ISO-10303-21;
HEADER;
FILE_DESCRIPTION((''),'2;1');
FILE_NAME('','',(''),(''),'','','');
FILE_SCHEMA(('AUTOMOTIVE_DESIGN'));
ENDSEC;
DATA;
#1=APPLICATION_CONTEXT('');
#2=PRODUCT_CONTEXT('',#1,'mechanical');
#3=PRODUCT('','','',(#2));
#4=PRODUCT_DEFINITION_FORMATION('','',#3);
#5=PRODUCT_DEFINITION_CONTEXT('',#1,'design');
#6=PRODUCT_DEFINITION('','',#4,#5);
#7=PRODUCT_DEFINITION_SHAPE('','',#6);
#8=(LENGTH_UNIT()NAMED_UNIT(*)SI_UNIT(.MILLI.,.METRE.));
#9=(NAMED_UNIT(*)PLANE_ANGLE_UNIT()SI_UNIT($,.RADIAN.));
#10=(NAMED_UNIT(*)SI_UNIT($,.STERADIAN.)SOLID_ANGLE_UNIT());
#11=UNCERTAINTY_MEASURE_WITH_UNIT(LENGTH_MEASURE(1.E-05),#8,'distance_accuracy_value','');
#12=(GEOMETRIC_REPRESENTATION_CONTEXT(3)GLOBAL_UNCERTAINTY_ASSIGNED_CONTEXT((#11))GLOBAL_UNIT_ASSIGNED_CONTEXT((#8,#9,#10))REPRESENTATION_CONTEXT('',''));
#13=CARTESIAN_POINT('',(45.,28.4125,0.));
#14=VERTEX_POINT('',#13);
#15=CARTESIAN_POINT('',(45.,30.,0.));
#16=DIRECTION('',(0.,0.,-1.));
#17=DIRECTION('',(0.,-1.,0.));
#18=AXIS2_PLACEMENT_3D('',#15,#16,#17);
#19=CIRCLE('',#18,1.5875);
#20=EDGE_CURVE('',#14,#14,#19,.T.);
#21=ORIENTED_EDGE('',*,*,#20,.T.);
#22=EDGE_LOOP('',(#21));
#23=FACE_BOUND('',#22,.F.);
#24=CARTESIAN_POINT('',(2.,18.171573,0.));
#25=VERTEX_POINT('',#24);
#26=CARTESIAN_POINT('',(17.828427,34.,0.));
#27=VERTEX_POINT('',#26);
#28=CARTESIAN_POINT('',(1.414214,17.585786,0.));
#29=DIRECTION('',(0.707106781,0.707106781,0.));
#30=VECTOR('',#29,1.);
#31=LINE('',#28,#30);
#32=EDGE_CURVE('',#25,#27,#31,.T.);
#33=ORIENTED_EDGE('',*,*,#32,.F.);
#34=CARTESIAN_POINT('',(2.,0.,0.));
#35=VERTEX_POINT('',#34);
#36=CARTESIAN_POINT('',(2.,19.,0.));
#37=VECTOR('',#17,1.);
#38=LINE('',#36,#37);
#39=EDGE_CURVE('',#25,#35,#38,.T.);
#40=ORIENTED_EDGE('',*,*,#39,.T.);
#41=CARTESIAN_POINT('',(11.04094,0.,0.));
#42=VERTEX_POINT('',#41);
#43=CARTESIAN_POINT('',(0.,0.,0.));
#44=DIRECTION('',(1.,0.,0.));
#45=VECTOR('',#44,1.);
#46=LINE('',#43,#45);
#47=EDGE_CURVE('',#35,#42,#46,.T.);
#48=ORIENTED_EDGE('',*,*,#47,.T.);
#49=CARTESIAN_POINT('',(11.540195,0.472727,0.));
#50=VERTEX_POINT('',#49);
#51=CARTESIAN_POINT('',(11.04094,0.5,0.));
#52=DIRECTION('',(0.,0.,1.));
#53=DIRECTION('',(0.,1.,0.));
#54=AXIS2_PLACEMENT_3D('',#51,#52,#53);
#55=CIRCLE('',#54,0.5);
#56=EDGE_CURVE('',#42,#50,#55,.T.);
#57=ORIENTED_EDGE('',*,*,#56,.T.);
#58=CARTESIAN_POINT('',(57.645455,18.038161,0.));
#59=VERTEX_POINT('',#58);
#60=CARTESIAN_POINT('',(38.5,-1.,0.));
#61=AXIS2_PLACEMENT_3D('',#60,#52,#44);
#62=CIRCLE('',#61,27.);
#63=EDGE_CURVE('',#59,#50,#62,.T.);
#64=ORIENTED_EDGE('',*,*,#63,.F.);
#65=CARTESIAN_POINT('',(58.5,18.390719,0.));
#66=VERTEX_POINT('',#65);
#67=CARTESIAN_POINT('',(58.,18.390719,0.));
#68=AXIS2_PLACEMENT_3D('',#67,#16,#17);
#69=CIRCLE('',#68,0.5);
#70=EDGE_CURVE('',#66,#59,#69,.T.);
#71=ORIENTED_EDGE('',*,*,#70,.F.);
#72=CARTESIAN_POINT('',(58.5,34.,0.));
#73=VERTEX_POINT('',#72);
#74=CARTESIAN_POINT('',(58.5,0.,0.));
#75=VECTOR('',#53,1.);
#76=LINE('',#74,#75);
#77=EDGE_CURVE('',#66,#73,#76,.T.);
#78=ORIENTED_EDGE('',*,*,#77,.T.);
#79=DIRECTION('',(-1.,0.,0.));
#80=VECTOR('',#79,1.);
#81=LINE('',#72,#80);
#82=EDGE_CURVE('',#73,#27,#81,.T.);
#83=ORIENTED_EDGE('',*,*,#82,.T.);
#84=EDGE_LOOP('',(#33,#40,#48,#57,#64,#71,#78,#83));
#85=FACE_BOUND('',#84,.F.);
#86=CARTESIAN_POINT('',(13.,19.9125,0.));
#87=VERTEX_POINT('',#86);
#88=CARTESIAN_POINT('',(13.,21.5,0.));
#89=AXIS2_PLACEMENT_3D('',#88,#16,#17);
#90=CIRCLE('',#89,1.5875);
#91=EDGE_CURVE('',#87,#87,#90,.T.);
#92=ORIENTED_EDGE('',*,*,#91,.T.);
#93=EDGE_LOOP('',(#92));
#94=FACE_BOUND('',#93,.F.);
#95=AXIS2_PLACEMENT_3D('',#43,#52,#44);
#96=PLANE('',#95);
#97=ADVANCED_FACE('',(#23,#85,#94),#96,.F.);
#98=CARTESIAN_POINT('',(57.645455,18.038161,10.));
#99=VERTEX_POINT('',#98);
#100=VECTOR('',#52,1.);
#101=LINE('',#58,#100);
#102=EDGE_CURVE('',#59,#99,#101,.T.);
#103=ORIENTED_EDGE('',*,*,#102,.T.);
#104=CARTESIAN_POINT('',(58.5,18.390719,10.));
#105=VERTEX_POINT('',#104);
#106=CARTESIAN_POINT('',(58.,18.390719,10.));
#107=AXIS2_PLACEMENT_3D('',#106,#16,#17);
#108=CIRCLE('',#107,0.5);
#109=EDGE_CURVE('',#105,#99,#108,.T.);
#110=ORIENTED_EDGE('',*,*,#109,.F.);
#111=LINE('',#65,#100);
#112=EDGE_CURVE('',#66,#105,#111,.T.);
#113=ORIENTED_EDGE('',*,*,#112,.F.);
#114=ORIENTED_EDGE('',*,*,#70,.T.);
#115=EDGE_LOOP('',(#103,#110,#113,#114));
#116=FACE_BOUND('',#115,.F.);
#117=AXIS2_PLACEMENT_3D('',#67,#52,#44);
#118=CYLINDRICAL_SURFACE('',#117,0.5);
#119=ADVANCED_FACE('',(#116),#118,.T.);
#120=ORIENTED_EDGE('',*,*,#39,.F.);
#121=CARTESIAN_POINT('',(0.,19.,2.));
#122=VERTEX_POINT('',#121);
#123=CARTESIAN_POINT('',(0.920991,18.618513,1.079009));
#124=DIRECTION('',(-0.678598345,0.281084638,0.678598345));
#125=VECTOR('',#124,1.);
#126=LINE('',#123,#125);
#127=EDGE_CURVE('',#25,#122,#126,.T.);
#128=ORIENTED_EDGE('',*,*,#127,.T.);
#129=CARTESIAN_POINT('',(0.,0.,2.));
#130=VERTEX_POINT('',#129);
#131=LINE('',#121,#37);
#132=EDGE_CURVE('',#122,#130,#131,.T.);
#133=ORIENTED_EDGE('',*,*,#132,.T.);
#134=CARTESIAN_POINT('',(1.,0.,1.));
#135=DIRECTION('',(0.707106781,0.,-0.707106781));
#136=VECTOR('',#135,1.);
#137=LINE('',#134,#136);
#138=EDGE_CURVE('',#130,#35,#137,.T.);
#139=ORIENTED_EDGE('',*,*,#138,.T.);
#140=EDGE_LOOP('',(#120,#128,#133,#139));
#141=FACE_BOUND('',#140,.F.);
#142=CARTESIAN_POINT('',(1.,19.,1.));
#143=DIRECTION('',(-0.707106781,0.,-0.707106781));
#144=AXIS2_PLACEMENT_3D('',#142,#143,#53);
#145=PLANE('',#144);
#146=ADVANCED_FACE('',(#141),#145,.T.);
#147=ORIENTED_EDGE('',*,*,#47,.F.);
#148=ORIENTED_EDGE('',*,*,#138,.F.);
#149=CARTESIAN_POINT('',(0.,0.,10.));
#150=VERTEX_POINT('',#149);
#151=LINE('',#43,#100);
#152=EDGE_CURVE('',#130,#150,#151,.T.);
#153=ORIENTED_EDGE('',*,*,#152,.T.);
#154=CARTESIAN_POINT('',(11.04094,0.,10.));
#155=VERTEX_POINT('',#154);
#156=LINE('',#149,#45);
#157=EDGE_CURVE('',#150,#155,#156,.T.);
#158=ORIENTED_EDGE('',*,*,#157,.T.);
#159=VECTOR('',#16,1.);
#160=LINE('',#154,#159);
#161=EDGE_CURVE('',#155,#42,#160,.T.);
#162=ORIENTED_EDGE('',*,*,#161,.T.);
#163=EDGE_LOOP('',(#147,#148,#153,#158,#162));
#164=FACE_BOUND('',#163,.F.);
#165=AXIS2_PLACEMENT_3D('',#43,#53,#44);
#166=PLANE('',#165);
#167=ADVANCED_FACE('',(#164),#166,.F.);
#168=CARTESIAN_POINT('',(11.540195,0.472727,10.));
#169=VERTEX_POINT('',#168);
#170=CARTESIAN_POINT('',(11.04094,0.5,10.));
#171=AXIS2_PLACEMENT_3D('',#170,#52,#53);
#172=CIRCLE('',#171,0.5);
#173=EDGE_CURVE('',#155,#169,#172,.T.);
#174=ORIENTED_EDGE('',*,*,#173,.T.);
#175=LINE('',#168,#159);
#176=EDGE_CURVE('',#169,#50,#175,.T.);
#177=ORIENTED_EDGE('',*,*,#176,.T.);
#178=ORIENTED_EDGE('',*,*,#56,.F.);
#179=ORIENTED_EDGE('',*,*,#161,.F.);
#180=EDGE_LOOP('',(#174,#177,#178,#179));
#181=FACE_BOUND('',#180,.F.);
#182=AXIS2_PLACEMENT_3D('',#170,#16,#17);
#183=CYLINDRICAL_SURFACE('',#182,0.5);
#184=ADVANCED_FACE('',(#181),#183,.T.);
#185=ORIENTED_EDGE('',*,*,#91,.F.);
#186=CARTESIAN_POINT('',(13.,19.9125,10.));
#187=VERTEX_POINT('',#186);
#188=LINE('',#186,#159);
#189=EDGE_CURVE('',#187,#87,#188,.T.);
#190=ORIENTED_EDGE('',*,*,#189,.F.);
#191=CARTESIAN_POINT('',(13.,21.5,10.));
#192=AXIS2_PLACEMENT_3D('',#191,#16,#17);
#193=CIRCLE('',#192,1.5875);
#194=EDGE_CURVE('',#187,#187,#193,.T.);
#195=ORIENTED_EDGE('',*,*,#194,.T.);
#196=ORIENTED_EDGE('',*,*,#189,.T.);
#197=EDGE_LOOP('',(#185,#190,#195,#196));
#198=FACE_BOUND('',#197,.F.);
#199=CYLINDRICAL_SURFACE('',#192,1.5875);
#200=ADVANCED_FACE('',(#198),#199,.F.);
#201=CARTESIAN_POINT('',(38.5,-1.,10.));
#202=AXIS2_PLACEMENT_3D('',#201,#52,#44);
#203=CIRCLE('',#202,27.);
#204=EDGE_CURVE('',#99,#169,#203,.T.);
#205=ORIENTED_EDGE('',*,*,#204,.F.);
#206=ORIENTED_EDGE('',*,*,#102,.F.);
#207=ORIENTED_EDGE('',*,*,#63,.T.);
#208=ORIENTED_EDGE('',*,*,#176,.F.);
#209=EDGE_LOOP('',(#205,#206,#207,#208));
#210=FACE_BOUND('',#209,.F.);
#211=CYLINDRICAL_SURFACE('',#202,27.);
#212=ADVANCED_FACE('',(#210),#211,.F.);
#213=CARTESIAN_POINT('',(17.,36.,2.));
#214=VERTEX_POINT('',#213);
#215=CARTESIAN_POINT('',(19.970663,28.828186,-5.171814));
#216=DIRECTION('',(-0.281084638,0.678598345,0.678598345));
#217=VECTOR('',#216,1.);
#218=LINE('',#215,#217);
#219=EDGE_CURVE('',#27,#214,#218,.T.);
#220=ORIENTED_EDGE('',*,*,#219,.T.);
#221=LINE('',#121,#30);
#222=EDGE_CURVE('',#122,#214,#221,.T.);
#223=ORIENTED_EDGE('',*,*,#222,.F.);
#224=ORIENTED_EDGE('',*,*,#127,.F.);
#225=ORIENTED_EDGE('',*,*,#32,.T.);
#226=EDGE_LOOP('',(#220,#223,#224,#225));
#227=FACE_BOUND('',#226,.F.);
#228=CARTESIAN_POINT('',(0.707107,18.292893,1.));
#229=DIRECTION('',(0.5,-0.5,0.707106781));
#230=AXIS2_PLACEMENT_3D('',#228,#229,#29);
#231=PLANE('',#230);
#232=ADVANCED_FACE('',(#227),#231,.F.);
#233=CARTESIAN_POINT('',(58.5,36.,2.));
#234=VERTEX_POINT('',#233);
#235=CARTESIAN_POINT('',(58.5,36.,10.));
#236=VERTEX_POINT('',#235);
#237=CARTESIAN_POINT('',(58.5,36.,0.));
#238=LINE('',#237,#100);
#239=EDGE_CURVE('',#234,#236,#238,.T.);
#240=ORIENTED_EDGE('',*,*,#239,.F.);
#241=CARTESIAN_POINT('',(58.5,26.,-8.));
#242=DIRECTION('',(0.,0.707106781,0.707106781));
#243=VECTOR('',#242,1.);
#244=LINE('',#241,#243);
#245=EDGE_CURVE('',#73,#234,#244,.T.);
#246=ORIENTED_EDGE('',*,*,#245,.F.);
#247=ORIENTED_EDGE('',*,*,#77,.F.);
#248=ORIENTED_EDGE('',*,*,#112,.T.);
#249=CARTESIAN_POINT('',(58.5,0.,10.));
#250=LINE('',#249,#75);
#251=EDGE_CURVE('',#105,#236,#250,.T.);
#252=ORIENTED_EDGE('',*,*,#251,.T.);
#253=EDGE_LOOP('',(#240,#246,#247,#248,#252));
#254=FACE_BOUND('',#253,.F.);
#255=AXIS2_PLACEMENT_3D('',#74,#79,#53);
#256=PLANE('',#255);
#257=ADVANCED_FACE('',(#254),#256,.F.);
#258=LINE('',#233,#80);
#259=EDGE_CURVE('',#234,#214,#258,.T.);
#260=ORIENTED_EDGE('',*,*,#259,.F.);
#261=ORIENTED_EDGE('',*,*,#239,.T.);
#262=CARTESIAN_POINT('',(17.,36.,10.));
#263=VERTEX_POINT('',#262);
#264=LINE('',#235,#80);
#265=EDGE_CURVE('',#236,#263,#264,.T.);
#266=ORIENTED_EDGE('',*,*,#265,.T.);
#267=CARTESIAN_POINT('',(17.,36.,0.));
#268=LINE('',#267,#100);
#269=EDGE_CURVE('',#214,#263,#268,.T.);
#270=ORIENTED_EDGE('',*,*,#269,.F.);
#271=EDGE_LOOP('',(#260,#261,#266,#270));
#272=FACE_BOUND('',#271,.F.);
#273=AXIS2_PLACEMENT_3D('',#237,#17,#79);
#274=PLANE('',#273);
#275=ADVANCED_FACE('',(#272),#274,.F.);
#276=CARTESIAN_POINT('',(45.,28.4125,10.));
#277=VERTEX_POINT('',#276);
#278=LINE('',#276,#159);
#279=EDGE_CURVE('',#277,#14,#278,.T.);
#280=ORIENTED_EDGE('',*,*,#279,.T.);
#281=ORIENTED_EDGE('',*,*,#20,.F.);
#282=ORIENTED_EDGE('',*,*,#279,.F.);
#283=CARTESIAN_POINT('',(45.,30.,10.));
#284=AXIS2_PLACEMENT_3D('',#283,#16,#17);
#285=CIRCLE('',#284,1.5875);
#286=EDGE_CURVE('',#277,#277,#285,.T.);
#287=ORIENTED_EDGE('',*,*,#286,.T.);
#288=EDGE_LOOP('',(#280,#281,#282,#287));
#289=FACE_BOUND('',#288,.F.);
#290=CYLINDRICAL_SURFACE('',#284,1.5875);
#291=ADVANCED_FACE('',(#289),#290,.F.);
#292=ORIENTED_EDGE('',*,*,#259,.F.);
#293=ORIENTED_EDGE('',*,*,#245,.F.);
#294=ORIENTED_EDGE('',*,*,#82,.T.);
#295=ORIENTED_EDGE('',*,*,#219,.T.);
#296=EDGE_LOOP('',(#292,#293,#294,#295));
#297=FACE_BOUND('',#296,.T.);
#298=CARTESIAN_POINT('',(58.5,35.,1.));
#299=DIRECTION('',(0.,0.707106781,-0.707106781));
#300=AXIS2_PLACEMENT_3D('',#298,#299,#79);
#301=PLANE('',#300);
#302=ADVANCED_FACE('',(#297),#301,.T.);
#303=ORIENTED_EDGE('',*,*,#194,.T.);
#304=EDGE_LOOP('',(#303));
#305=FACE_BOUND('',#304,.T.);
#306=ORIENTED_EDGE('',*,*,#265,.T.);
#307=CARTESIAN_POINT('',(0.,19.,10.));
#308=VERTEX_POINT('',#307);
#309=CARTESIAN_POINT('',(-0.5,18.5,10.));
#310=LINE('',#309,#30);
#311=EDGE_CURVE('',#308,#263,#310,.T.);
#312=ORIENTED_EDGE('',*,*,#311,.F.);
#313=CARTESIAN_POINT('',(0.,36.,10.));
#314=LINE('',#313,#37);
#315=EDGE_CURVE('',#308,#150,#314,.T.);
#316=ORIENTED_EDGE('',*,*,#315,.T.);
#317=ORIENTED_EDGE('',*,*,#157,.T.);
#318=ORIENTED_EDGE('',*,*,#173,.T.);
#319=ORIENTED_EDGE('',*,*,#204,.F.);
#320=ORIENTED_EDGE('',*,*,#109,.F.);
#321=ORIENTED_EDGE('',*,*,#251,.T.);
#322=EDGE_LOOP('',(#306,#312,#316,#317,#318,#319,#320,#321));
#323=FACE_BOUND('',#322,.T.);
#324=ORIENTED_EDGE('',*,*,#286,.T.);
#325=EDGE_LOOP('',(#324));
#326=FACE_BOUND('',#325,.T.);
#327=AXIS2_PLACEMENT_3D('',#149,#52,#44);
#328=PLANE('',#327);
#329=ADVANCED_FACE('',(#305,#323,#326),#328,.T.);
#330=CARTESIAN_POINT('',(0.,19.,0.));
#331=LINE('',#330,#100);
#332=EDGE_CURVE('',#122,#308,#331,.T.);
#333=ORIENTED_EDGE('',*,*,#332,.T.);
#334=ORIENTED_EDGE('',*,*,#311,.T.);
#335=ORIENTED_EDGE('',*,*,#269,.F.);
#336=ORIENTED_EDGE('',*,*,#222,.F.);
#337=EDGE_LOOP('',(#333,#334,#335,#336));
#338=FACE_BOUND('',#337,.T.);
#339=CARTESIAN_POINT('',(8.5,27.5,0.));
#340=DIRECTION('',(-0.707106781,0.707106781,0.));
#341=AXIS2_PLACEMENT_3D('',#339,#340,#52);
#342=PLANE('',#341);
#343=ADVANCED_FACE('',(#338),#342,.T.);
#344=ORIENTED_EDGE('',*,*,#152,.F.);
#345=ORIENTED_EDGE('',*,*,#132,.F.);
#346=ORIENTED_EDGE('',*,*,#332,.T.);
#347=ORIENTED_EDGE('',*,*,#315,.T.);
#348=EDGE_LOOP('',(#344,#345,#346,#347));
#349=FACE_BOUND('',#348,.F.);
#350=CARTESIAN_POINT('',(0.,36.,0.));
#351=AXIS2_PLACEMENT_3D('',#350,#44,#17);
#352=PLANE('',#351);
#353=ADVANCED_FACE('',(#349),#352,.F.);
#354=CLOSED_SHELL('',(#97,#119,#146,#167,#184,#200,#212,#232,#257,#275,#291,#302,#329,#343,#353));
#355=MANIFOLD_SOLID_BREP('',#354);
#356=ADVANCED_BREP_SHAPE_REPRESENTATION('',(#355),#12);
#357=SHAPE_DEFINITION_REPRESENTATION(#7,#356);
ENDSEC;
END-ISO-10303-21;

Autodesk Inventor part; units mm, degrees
ref_plane "YZ Plane" through (0, 0, 0) normal (1, 0, 0) x (0, 1, 0)
ref_plane "XZ Plane" through (0, 0, 0) normal (0, 1, 0) x (-1, 0, 0)
ref_plane "XY Plane" through (0, 0, 0) normal (0, 0, 1) x (1, 0, 0)
sketch "Sketch1" plane through (0, 0, 0) normal (0, 0, 1) x (1, 0, 0)
  line L0 (0, 0) -> (58.5, 0)
  line L1 (58.5, 0) -> (58.5, 36)
  line L2 (58.5, 36) -> (0, 36)
  line L3 (0, 36) -> (0, 0)
  dimension "d0" = 58.5
  dimension "d1" = 36
extrude "Extrusion1" add sketch "Sketch1" along normal blind 10
sketch "Sketch2" plane through (0, 0, 10) normal (0, 0, 1) x (1, 0, 0)
  line L0 (0, 0) -> (0, 36) projected
  line L1 (58.5, 0) -> (0, 0) projected
  circle A0 centre (38.5, -1) radius 27
  dimension "d6" = 27
  dimension "d7" = 1
  dimension "d8" = 11.5
extrude "Extrusion2" cut sketch "Sketch2" against normal blind 10
sketch "Sketch3" plane through (0, 0, 10) normal (0, 0, 1) x (1, 0, 0)
  line L0 (58.5, 36) -> (58.5, 17.1384) projected
  line L1 (11.5185, 0) -> (0, 0) projected
  line L2 (0, 36) -> (58.5, 36) projected
  point P0 (13, 21.5)
  point P1 (45, 30)
  dimension "d11" = 32
  dimension "d12" = 13.5
  dimension "d13" = 21.5
  dimension "d28" = 6
hole "Hole1" at (13, 21.5, 10) at (45, 30, 10) direction (0, 0, -1) diameter 3.175 depth 10 tip angle 118
chamfer "Chamfer1" distance 17 angle 45 1 edges at (0, 36, 5)
chamfer "Chamfer2" distance 2 angle 45 3 edges at (37.75, 36, 0) (8.5, 27.5, 0) (0, 9.5, 0)
fillet "Fillet1" radius 0.5 2 edges at (58.5, 17.1384, 5) (11.5185, 0, 5)
properties part number "PÁRA-LAMAS DIANTEIRO-ESQ" material "Carbon Steel"
